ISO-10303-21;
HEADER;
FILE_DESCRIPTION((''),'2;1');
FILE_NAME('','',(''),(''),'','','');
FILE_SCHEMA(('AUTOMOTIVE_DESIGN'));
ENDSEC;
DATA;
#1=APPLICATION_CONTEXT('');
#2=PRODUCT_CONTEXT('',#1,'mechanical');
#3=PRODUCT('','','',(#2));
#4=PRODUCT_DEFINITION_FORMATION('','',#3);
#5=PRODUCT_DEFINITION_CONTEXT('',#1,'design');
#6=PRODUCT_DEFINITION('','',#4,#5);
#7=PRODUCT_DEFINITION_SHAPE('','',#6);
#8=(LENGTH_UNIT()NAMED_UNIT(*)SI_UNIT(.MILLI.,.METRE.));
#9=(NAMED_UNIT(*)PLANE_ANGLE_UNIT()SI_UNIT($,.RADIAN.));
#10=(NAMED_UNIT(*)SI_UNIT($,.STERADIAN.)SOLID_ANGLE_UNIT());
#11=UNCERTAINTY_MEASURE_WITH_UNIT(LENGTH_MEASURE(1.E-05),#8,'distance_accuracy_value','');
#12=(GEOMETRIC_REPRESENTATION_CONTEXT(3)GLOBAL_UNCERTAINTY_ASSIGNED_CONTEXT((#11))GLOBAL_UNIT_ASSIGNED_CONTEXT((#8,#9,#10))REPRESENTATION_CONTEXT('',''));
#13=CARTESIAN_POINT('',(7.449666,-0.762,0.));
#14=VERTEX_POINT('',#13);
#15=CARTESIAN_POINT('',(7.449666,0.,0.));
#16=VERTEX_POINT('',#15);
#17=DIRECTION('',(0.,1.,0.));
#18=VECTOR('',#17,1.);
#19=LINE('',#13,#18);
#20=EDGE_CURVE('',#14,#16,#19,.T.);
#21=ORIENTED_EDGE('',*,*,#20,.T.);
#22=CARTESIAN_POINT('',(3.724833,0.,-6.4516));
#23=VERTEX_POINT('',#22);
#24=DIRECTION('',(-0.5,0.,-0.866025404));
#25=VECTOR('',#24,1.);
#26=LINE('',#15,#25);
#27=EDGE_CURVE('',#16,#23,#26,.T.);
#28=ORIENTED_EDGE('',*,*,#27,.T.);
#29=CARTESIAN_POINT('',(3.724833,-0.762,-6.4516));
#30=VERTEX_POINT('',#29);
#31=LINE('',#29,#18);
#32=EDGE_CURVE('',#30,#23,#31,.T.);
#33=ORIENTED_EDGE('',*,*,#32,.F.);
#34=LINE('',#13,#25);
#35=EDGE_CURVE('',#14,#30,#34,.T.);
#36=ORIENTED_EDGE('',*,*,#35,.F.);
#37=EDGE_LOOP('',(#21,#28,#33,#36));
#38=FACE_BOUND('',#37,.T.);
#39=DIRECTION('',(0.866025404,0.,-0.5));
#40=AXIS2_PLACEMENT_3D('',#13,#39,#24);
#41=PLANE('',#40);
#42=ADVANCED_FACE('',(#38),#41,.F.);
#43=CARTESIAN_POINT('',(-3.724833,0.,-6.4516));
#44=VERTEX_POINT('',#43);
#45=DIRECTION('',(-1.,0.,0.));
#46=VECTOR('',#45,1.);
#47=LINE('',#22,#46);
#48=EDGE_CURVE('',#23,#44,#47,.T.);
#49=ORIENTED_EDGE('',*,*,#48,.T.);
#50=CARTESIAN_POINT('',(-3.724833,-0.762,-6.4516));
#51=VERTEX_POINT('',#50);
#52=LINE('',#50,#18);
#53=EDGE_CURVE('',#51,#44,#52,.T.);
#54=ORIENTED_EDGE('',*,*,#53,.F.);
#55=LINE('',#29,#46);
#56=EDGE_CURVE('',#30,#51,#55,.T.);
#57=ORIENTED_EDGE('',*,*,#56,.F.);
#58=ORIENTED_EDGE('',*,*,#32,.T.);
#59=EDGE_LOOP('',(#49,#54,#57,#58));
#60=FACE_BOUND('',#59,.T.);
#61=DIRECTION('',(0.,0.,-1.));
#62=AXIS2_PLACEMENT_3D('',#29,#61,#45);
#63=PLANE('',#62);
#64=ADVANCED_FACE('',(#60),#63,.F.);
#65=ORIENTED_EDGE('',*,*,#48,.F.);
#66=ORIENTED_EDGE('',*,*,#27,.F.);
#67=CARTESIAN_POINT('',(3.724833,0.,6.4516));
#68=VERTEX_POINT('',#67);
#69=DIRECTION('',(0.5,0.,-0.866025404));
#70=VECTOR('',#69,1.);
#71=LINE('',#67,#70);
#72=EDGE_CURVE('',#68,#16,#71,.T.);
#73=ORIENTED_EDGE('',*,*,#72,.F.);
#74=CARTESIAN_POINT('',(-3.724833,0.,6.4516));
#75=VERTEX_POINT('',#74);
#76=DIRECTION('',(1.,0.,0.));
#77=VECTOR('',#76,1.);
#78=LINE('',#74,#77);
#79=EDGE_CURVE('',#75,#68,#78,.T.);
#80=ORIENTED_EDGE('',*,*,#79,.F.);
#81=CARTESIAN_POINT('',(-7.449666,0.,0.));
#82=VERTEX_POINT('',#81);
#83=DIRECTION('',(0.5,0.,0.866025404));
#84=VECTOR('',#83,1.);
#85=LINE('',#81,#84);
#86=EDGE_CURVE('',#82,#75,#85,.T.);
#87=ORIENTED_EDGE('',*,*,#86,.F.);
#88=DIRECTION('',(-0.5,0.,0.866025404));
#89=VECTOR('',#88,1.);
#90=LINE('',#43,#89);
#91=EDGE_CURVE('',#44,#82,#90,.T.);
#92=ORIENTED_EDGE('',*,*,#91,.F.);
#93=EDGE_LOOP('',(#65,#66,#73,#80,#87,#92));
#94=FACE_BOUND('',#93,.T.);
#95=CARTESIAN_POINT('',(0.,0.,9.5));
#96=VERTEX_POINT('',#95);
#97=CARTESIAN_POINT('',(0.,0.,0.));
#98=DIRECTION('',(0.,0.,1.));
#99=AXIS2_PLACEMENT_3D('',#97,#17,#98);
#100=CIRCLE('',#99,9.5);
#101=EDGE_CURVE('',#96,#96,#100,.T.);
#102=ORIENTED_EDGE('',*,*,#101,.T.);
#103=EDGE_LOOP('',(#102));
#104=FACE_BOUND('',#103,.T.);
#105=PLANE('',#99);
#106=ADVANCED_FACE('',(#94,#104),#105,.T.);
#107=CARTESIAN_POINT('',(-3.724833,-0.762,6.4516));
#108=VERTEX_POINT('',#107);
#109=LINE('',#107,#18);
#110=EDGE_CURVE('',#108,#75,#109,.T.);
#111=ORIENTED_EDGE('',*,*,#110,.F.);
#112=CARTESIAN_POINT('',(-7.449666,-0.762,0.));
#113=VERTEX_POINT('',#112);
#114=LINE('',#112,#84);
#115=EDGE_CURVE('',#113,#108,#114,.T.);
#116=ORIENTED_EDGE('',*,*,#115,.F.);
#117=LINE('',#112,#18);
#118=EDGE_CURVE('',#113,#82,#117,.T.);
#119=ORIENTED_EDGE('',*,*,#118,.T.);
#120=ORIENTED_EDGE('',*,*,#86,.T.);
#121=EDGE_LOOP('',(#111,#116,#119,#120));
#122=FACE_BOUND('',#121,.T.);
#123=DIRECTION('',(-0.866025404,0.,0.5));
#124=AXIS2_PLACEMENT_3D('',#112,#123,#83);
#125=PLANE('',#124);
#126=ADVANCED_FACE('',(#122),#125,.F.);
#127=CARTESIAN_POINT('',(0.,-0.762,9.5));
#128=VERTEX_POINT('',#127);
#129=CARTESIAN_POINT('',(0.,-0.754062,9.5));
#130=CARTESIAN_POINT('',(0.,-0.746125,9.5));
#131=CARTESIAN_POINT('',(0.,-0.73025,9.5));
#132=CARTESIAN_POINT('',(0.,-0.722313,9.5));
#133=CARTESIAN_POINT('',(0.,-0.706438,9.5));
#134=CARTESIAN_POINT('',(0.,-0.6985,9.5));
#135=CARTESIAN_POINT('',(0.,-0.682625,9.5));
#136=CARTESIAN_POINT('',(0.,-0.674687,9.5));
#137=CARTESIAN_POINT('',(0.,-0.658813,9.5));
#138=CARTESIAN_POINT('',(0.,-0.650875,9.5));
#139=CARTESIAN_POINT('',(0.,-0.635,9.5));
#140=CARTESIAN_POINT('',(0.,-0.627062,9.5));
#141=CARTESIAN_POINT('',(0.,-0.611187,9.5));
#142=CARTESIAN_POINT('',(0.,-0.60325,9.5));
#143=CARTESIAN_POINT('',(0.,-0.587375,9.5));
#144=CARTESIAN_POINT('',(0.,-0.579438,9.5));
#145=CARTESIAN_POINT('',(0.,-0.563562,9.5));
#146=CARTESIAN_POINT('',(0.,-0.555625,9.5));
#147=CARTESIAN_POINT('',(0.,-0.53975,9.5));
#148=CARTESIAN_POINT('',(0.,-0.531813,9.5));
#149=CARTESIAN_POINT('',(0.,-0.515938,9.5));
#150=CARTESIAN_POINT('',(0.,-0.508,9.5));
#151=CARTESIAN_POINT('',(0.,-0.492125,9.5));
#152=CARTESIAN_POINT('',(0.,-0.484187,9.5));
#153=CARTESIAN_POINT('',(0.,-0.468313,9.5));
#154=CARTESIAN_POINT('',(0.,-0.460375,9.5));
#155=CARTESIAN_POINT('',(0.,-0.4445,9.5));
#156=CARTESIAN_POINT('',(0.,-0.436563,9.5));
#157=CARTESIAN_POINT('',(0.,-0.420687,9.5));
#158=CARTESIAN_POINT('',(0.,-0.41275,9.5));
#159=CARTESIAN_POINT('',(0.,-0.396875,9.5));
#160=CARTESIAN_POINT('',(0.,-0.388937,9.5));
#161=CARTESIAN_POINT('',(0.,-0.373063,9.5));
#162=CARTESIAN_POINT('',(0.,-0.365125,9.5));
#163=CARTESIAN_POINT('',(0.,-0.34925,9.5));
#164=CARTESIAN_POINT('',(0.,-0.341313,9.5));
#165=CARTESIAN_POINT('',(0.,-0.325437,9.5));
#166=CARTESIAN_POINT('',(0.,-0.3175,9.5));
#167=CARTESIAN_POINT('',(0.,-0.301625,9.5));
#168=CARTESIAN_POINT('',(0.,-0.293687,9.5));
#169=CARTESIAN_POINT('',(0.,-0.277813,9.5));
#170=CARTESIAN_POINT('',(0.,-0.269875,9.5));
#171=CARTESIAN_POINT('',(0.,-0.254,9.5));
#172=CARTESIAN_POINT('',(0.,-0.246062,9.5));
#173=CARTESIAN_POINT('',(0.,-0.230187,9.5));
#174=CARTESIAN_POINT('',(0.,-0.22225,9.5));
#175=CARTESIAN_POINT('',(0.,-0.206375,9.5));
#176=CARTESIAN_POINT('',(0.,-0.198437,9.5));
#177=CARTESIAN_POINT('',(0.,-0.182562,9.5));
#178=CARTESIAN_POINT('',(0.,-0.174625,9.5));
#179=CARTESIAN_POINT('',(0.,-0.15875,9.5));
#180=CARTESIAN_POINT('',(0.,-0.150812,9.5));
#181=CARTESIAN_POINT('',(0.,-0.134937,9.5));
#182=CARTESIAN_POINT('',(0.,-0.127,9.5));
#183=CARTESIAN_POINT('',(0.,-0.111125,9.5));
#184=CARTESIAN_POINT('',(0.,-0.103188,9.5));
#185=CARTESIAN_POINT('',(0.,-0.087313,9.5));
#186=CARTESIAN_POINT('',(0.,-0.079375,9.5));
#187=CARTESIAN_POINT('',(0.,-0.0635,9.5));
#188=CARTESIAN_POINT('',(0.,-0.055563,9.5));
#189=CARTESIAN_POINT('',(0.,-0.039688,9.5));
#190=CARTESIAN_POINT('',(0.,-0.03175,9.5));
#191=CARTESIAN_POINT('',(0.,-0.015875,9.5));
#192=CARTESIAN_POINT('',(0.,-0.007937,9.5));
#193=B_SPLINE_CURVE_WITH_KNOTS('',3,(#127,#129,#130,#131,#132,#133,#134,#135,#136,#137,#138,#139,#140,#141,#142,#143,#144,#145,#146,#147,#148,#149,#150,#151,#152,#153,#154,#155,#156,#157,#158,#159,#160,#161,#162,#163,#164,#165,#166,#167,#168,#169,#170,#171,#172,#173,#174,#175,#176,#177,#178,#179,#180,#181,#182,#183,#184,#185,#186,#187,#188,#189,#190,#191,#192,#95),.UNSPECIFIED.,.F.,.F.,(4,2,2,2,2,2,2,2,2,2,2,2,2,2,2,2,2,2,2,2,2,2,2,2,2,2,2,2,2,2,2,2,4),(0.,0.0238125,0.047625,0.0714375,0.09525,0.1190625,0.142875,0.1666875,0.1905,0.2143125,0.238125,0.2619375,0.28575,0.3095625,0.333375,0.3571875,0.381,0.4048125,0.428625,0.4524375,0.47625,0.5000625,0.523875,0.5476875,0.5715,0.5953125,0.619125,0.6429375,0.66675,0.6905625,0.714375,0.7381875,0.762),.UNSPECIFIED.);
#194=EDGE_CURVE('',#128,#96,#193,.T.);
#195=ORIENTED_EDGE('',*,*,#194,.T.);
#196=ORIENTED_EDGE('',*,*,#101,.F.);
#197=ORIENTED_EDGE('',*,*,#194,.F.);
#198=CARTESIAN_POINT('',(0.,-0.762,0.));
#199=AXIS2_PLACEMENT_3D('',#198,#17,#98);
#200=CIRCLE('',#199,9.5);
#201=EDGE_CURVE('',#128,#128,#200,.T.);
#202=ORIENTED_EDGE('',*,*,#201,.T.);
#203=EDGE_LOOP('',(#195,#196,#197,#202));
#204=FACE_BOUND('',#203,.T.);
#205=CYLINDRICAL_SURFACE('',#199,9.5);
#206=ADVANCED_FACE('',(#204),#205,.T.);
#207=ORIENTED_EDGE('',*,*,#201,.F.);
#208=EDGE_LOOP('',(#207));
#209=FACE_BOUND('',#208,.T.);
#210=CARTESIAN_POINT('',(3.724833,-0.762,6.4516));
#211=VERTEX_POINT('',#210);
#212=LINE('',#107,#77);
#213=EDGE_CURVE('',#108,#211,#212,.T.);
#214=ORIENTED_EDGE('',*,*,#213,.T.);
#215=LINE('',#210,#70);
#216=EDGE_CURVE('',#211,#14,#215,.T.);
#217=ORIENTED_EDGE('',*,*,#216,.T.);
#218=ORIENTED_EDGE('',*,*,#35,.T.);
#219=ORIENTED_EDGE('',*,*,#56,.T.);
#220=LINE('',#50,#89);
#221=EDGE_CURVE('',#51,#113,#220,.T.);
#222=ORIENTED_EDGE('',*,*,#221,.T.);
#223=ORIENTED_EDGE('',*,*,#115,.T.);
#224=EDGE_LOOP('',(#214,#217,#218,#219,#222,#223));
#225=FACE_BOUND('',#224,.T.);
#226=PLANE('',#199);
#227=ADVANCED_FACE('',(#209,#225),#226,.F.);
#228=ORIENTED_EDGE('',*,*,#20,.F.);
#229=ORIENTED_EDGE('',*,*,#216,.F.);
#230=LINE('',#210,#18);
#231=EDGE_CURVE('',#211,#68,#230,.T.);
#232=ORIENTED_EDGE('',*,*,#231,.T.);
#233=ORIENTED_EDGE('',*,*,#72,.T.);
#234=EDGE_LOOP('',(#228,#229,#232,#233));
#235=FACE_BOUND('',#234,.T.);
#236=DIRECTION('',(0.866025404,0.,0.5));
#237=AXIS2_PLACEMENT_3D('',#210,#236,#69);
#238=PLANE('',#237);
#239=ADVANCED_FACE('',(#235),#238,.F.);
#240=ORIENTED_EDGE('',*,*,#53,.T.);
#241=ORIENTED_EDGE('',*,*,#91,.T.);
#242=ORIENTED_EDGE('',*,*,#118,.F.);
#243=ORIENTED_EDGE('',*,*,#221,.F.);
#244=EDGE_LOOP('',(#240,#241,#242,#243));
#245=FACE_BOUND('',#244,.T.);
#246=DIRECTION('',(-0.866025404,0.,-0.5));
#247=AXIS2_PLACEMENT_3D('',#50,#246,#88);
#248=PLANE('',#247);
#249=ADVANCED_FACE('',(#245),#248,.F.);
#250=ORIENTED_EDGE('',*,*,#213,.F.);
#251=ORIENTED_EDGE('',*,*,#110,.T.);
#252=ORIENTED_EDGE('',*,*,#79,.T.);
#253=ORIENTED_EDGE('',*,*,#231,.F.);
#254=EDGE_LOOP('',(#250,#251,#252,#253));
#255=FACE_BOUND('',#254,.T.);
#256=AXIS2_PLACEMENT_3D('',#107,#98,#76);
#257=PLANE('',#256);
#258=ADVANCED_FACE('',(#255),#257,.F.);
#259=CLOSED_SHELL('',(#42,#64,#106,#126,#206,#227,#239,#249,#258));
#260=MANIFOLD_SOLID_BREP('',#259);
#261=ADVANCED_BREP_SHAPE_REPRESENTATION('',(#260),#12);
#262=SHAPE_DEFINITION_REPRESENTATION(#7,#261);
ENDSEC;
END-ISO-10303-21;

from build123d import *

# Parameters (mm, degrees)
SKETCH1_R           = 9.5
BOSS_EXTRUDE1_DEPTH = 0.762


with BuildPart() as part:
    # Sketch1 → Boss-Extrude1 (new body)
    with BuildSketch(Plane(origin=(0, 0, 0), x_dir=(1, 0, 0), z_dir=(0, 1, 0))):
        with Locations(Location((0, 0, 0), (0, 0, 270))):
            Circle(SKETCH1_R)
        Polygon((7.449665993, 0), (3.724832997, 6.4516), (-3.724832997, 6.4516), (-7.449665993, 0), (-3.724832997, -6.4516), (3.724832997, -6.4516), align=None, mode=Mode.SUBTRACT)
    extrude(amount=-BOSS_EXTRUDE1_DEPTH)


solid = part.part
